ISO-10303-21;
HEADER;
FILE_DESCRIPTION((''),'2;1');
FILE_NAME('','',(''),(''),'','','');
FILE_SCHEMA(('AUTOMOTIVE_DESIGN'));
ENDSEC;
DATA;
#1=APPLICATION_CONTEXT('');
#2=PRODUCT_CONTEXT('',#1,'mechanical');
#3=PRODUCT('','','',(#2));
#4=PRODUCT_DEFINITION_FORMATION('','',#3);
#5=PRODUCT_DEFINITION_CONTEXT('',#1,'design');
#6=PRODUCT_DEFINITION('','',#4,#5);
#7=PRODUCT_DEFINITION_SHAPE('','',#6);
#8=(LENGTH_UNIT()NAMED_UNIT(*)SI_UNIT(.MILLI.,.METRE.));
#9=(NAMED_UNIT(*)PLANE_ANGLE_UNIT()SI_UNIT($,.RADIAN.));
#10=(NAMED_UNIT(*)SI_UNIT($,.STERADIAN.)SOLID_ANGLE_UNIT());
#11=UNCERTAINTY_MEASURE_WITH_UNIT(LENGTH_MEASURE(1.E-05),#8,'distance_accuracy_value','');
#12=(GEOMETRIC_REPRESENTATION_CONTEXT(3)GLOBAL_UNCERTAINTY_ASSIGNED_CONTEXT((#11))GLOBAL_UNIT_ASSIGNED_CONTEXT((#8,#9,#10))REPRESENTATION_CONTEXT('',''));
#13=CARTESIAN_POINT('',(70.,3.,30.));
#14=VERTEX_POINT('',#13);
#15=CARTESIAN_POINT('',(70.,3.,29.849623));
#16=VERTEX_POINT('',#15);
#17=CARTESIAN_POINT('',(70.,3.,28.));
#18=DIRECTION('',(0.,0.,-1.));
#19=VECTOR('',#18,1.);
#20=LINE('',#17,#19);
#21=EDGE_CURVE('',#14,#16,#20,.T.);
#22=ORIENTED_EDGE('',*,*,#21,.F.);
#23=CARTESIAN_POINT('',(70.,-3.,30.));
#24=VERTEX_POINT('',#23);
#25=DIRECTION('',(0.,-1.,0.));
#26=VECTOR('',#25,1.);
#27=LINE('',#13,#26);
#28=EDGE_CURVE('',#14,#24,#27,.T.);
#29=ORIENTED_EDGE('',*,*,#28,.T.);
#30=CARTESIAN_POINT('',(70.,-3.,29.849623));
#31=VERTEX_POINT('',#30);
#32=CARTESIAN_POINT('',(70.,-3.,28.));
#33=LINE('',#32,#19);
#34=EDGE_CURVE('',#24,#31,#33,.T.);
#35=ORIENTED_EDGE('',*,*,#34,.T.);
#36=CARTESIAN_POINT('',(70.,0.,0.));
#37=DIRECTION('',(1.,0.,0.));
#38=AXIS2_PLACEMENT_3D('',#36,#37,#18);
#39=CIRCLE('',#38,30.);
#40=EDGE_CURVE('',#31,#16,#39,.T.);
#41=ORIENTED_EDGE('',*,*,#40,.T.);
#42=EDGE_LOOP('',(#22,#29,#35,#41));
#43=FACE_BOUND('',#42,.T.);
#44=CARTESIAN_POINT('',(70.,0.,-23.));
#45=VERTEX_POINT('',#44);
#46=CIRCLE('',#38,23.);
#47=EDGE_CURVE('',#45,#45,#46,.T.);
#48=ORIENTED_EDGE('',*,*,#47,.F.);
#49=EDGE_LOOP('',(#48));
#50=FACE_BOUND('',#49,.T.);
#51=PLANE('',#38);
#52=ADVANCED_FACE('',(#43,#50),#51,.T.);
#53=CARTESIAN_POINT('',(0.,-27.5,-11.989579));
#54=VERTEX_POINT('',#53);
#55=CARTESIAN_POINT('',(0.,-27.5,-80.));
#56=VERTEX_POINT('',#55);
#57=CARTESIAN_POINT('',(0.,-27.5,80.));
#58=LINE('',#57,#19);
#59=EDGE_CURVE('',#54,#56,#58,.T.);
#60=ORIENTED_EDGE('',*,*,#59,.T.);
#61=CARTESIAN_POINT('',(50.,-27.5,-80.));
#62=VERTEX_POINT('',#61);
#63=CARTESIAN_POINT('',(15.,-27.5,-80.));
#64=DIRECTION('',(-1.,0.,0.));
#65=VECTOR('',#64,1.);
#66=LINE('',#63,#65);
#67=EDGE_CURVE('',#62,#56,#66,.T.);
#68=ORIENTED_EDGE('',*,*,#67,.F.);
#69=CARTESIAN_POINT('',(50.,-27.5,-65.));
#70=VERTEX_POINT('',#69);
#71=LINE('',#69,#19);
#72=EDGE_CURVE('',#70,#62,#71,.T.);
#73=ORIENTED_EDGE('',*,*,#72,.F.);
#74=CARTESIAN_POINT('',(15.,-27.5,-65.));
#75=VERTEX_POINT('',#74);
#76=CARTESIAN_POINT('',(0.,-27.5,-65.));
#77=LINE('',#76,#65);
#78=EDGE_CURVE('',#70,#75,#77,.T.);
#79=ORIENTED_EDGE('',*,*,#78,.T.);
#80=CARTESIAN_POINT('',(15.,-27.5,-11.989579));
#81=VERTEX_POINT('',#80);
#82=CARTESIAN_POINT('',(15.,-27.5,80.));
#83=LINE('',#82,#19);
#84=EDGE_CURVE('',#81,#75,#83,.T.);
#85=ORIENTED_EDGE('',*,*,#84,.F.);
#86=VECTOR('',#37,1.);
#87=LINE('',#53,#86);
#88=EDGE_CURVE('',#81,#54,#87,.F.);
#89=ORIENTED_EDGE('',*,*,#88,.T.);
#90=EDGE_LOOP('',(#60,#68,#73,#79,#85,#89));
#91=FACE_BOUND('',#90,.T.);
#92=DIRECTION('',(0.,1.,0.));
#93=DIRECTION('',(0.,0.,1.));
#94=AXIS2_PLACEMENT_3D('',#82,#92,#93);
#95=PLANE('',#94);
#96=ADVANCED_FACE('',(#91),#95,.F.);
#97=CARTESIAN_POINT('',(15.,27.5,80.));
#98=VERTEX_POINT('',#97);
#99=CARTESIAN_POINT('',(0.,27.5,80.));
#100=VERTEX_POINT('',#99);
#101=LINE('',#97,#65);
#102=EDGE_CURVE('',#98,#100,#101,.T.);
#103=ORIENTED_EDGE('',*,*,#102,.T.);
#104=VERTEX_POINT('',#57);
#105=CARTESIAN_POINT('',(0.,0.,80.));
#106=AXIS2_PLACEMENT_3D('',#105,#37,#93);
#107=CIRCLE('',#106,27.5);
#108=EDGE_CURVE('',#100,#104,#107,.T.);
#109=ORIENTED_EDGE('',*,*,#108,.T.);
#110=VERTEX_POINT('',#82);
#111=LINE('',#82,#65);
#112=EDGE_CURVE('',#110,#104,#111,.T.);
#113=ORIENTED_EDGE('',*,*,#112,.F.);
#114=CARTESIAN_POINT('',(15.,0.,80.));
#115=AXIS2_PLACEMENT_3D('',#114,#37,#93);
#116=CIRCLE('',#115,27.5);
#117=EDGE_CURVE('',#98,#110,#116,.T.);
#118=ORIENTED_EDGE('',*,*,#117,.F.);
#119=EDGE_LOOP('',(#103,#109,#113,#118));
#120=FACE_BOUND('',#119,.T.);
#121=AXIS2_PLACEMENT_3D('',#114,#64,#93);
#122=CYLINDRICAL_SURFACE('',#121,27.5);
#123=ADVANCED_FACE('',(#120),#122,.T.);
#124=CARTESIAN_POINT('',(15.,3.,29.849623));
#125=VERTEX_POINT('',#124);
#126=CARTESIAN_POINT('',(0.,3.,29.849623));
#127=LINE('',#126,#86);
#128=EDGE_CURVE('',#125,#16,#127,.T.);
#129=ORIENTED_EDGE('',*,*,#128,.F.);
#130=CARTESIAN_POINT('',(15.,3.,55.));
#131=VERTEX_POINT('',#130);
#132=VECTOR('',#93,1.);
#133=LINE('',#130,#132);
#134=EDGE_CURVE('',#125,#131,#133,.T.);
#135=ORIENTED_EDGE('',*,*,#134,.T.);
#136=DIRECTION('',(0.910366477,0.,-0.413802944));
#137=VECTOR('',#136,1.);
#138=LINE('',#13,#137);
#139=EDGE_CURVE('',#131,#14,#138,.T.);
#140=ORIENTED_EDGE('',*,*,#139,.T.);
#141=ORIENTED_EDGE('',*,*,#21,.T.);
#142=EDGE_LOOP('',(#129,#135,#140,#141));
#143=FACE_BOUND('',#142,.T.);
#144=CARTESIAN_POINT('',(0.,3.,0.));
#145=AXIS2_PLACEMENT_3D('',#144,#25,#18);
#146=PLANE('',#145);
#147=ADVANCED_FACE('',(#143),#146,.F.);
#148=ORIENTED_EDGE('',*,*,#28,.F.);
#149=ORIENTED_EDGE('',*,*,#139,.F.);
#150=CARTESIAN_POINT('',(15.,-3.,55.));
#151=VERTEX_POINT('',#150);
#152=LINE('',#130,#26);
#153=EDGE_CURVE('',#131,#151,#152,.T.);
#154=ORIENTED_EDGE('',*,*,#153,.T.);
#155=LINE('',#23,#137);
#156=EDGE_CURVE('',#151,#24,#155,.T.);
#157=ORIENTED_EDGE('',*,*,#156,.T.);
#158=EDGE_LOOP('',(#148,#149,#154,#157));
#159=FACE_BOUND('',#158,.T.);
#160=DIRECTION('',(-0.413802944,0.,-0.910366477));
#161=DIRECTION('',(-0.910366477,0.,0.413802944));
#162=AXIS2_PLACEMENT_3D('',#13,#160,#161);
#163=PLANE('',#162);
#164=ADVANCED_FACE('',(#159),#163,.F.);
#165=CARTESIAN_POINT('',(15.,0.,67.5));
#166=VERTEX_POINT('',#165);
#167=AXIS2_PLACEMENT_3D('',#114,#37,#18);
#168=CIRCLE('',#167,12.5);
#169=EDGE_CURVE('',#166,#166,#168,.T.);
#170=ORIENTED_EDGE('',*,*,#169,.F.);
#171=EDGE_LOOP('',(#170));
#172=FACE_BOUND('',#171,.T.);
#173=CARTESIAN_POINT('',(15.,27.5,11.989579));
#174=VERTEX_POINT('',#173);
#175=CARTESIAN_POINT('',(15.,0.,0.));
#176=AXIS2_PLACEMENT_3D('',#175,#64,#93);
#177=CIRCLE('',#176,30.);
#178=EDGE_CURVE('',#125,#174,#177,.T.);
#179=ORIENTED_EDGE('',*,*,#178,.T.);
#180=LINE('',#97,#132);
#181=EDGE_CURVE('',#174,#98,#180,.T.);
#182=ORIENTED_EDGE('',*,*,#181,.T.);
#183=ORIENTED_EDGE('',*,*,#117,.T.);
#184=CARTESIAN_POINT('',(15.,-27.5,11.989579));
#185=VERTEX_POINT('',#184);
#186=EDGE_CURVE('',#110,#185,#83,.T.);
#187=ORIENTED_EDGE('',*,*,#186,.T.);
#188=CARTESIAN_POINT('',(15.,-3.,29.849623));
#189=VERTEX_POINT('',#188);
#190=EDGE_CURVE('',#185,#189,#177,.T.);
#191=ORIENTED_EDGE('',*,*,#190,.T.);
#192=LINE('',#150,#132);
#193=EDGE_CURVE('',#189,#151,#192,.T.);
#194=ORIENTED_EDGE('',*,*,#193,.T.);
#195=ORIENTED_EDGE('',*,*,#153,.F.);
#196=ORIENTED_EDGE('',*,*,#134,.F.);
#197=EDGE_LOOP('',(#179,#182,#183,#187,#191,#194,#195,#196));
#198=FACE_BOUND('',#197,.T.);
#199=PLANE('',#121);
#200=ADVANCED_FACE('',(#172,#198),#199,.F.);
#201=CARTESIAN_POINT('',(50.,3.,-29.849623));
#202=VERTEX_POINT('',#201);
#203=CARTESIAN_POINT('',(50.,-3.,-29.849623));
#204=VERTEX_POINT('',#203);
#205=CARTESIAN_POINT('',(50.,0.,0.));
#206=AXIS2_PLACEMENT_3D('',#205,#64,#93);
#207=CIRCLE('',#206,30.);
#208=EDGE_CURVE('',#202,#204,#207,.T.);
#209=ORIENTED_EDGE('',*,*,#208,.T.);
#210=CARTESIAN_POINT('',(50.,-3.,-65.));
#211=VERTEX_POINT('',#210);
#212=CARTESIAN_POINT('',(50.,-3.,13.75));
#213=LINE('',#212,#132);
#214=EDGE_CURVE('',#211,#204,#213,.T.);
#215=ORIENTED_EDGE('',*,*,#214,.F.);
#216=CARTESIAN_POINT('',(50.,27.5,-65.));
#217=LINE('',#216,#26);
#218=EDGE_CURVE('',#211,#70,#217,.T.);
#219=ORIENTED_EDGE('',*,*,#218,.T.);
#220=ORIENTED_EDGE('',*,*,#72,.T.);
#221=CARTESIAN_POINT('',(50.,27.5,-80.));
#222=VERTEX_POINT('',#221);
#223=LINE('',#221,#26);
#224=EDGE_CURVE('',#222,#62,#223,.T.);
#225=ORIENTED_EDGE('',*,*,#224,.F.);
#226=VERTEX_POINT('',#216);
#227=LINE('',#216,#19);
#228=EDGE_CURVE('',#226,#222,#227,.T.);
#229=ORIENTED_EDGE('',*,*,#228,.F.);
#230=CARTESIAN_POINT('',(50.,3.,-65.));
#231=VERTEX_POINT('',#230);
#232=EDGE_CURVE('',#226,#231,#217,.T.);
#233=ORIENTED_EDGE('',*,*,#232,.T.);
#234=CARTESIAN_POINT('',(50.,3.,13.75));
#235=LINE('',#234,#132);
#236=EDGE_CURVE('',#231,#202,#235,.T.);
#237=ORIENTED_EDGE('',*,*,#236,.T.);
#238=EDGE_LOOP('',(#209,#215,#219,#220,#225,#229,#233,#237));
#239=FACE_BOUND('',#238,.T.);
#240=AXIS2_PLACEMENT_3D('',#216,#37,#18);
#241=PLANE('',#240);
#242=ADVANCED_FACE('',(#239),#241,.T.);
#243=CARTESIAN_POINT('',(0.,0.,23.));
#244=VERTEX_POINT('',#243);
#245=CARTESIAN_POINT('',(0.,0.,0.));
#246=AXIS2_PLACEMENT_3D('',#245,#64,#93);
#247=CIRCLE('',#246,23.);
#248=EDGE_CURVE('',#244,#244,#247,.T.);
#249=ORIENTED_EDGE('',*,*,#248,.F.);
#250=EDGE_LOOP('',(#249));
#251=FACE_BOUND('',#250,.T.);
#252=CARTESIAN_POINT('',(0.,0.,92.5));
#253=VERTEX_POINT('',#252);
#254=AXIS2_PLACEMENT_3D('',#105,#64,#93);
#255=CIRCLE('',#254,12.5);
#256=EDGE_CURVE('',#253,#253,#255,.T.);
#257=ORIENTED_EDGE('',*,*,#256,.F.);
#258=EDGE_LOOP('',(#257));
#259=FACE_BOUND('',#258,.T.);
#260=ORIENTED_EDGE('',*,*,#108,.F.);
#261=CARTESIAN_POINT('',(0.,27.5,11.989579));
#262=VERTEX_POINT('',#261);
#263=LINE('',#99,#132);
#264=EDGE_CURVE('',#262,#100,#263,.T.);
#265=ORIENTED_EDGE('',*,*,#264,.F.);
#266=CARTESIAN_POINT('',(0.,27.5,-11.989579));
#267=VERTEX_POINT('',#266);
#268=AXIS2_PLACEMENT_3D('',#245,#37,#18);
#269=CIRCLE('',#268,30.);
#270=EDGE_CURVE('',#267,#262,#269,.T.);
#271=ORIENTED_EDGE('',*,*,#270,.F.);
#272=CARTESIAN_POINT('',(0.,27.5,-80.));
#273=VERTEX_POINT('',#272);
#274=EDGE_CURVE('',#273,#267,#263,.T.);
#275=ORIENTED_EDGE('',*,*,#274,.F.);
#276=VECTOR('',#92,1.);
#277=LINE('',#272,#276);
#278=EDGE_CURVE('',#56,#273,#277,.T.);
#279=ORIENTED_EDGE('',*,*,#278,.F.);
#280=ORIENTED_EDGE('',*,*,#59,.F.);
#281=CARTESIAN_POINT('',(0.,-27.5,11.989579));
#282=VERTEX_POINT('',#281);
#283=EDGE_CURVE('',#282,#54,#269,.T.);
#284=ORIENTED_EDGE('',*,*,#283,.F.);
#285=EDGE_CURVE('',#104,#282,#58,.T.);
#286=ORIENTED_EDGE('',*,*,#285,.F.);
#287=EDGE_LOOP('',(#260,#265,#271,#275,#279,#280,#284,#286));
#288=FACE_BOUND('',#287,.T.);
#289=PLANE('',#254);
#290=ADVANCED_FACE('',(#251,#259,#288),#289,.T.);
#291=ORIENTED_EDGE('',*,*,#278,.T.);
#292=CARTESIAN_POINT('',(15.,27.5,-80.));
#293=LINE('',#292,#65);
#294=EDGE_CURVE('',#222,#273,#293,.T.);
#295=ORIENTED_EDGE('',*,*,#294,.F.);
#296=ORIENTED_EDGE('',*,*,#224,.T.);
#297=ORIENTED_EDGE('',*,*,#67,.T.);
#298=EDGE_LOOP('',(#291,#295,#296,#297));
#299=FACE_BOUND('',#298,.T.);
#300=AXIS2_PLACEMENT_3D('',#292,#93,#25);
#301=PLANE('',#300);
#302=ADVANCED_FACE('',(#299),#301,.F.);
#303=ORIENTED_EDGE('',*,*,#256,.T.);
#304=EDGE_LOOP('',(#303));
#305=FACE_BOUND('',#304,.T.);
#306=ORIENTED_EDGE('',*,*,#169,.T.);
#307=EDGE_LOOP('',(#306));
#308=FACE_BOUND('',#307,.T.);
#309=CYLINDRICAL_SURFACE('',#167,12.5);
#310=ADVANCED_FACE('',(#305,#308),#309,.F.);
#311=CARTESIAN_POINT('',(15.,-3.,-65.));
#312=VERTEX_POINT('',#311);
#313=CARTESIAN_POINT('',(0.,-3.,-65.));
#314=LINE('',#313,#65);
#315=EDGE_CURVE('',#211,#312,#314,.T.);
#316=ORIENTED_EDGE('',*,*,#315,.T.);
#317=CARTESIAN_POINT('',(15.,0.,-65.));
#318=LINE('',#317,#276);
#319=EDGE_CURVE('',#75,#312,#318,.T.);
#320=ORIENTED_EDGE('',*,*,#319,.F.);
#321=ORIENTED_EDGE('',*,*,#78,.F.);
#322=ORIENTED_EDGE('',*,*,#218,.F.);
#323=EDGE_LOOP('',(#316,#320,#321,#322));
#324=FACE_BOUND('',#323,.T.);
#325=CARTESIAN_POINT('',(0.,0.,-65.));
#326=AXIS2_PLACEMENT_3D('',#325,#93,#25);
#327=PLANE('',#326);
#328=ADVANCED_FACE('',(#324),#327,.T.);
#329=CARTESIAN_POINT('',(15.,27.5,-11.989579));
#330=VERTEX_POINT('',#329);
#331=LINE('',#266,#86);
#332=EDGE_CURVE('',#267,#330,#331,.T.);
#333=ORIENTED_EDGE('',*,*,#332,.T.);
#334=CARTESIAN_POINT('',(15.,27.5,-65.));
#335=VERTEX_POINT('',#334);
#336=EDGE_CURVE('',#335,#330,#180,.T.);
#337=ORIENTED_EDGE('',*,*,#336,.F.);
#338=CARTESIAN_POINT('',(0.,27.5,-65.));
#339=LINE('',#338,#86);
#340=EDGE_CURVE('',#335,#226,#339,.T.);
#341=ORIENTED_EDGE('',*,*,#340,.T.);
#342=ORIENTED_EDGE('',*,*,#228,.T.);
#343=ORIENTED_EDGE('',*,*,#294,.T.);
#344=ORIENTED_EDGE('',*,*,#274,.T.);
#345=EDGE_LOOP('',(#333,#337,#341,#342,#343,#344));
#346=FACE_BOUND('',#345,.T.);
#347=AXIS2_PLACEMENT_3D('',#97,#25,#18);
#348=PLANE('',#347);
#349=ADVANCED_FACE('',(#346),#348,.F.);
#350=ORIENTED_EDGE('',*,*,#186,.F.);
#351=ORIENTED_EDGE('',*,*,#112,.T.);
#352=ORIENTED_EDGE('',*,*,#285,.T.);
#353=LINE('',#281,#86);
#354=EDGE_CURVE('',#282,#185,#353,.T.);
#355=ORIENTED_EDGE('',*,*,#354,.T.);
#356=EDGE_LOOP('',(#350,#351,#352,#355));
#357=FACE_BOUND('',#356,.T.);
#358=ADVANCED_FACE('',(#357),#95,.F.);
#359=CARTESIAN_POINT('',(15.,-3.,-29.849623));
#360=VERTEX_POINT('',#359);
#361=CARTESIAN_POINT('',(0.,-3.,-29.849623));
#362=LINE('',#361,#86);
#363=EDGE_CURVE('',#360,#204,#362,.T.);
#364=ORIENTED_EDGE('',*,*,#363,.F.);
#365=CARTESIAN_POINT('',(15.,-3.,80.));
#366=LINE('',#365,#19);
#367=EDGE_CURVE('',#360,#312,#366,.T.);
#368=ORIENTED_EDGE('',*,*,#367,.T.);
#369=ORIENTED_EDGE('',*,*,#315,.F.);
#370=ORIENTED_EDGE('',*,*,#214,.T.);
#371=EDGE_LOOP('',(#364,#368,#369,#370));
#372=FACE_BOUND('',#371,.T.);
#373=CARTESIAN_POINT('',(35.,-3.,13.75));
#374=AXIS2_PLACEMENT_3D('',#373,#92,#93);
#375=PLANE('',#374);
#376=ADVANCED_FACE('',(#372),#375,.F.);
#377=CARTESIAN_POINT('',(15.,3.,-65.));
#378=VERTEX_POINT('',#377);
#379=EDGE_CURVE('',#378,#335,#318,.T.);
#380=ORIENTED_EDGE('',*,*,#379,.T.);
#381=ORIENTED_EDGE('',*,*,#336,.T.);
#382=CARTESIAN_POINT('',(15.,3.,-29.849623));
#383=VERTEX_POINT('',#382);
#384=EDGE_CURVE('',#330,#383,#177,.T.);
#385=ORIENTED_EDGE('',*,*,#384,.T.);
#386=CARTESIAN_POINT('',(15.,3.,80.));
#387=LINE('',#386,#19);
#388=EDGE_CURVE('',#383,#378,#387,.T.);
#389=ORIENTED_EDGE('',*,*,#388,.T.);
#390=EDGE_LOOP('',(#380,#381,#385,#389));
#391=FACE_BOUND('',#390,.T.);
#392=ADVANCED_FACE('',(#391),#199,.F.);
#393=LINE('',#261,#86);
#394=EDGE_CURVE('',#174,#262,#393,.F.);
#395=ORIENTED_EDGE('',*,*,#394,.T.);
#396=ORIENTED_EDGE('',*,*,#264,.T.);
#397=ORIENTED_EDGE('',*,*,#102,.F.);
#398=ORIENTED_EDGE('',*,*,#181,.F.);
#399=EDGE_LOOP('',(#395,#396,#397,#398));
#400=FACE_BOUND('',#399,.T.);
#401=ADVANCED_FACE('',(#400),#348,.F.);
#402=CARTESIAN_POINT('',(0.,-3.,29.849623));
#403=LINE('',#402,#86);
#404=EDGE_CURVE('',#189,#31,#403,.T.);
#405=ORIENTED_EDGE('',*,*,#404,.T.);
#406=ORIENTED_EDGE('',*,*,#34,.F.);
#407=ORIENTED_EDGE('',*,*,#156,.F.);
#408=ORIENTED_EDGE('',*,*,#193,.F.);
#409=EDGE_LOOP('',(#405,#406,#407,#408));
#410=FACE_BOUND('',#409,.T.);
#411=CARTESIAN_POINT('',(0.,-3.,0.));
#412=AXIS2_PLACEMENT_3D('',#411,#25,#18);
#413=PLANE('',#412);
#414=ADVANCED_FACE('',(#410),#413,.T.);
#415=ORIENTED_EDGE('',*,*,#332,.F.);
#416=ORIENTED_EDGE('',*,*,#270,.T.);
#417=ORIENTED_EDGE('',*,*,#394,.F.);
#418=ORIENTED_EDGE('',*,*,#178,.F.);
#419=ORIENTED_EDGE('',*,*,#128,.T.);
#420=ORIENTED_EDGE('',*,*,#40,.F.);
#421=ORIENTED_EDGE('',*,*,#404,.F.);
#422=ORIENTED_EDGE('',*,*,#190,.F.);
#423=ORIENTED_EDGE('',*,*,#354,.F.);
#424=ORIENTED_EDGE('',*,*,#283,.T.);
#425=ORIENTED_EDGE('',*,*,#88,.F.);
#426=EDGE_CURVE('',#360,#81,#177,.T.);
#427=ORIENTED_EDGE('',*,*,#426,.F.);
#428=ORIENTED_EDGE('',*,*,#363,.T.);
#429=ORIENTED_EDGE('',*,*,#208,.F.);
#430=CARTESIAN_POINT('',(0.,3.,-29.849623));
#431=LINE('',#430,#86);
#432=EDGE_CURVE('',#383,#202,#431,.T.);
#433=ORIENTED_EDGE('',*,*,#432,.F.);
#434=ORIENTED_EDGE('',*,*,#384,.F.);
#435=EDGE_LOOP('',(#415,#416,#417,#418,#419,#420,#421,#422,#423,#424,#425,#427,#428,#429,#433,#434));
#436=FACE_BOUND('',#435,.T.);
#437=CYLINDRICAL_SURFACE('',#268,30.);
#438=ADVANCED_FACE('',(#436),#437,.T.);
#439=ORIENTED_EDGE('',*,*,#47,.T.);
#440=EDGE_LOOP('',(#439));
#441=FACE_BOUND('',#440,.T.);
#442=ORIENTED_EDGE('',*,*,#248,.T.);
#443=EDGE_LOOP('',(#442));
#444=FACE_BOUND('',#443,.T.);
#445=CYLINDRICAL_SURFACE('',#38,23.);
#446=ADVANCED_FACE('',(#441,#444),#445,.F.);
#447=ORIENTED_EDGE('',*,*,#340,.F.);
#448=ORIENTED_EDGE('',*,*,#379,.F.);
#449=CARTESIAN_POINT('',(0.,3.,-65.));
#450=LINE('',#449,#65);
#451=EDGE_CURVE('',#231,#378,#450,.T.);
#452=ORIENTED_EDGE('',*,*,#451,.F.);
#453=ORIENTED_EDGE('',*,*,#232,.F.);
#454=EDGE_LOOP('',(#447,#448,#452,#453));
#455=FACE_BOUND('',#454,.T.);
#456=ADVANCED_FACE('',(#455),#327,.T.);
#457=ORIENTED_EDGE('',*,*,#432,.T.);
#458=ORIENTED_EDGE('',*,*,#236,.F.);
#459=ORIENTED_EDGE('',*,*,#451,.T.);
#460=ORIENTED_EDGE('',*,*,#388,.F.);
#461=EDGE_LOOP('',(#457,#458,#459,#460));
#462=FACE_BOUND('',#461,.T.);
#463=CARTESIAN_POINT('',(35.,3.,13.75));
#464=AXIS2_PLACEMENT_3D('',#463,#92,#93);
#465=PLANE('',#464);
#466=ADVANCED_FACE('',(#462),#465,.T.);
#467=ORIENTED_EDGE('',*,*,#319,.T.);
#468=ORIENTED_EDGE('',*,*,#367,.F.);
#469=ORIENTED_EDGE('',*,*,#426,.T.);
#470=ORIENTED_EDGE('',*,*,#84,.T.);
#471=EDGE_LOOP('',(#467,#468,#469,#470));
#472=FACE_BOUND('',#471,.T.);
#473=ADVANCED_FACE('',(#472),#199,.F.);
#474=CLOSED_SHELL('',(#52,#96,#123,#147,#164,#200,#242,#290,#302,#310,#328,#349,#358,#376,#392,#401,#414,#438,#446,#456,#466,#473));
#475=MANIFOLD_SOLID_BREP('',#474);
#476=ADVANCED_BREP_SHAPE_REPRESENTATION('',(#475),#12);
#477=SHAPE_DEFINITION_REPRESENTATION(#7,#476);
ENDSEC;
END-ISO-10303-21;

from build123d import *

# Parameters (mm, degrees)
BOSS_EXTRUDE1_DEPTH      = 15
BOSS_EXTRUDE2_DEPTH      = 55
BOSS_EXTRUDE2_DEPTH_BACK = 15
SKETCH2_R                = 30
HOLE1_D                  = 46
SKETCH5_W                = 50
SKETCH5_H                = 55
BOSS_EXTRUDE3_DEPTH      = 15
RIB1_REACH               = 133.743
SKETCH6_WALL_W           = 300.486242526
SKETCH6_WALL_H           = 6
BOSS_EXTRUDE5_DEPTH      = 3
HOLE2_D                  = 25


with BuildPart() as part:
    # Sketch1 → Boss-Extrude1 (new body)
    with BuildSketch(Plane(origin=(0, 0, 0), x_dir=(0, 0, -1), z_dir=(1, 0, 0))):
        with BuildLine():
            Line((-80, 27.5), (80, 27.5))
            Line((80, 27.5), (80, -27.5))
            Line((80, -27.5), (-80, -27.5))
            ThreePointArc((-80, -27.5), (-107.5, 0), (-80, 27.5))
        make_face()
    extrude(amount=BOSS_EXTRUDE1_DEPTH)

    # Sketch2 → Boss-Extrude2 (add, two sides: drawn at the far end of the back side and taken through both)
    with BuildSketch(Plane(origin=(15, 0, 0), x_dir=(0, 0, -1), z_dir=(1, 0, 0)).offset(-BOSS_EXTRUDE2_DEPTH_BACK)):
        Circle(SKETCH2_R)
    extrude(amount=BOSS_EXTRUDE2_DEPTH + BOSS_EXTRUDE2_DEPTH_BACK)

    # Hole1 (through all)
    with Locations(Plane(origin=(70, 0, 0), x_dir=(0, 0, -1), z_dir=(1, 0, 0))):
        with Locations((0, 0)):
            Hole(HOLE1_D / 2)

    # Sketch5 → Boss-Extrude3 (add)
    with BuildSketch(Plane(origin=(0, 0, -80), x_dir=(-1, 0, 0), z_dir=(0, 0, -1))):
        with Locations((-25, 0)):
            Rectangle(SKETCH5_W, SKETCH5_H)
    extrude(amount=-BOSS_EXTRUDE3_DEPTH)

    # Sketch6 wall → Rib1 (add, up to next)
    with BuildSketch(Plane(origin=(50, 0, -47.5), x_dir=(0, 0, 1), z_dir=(1, 0, 0)), mode=Mode.PRIVATE) as rib1_sk1:
        Rectangle(SKETCH6_WALL_W, SKETCH6_WALL_H)
    rib1_tool1 = extrude(rib1_sk1.sketch, amount=-RIB1_REACH, mode=Mode.PRIVATE) - part.part
    add(rib1_tool1.solids().sort_by_distance((50, 0, -47.5))[0])

    # Sketch7 → Boss-Extrude5 (add, symmetric)
    with BuildSketch(Plane(origin=(0, 0, 0), x_dir=(1, 0, 0), z_dir=(0, 1, 0))):
        Polygon((70, -30), (15, -55), (15, -28), (70, -28), align=None)
    extrude(amount=BOSS_EXTRUDE5_DEPTH, both=True)

    # Hole2 (through all)
    with Locations(Plane(origin=(15, 0, 0), x_dir=(0, 0, -1), z_dir=(1, 0, 0))):
        with Locations((-80, 0)):
            Hole(HOLE2_D / 2)


solid = part.part
